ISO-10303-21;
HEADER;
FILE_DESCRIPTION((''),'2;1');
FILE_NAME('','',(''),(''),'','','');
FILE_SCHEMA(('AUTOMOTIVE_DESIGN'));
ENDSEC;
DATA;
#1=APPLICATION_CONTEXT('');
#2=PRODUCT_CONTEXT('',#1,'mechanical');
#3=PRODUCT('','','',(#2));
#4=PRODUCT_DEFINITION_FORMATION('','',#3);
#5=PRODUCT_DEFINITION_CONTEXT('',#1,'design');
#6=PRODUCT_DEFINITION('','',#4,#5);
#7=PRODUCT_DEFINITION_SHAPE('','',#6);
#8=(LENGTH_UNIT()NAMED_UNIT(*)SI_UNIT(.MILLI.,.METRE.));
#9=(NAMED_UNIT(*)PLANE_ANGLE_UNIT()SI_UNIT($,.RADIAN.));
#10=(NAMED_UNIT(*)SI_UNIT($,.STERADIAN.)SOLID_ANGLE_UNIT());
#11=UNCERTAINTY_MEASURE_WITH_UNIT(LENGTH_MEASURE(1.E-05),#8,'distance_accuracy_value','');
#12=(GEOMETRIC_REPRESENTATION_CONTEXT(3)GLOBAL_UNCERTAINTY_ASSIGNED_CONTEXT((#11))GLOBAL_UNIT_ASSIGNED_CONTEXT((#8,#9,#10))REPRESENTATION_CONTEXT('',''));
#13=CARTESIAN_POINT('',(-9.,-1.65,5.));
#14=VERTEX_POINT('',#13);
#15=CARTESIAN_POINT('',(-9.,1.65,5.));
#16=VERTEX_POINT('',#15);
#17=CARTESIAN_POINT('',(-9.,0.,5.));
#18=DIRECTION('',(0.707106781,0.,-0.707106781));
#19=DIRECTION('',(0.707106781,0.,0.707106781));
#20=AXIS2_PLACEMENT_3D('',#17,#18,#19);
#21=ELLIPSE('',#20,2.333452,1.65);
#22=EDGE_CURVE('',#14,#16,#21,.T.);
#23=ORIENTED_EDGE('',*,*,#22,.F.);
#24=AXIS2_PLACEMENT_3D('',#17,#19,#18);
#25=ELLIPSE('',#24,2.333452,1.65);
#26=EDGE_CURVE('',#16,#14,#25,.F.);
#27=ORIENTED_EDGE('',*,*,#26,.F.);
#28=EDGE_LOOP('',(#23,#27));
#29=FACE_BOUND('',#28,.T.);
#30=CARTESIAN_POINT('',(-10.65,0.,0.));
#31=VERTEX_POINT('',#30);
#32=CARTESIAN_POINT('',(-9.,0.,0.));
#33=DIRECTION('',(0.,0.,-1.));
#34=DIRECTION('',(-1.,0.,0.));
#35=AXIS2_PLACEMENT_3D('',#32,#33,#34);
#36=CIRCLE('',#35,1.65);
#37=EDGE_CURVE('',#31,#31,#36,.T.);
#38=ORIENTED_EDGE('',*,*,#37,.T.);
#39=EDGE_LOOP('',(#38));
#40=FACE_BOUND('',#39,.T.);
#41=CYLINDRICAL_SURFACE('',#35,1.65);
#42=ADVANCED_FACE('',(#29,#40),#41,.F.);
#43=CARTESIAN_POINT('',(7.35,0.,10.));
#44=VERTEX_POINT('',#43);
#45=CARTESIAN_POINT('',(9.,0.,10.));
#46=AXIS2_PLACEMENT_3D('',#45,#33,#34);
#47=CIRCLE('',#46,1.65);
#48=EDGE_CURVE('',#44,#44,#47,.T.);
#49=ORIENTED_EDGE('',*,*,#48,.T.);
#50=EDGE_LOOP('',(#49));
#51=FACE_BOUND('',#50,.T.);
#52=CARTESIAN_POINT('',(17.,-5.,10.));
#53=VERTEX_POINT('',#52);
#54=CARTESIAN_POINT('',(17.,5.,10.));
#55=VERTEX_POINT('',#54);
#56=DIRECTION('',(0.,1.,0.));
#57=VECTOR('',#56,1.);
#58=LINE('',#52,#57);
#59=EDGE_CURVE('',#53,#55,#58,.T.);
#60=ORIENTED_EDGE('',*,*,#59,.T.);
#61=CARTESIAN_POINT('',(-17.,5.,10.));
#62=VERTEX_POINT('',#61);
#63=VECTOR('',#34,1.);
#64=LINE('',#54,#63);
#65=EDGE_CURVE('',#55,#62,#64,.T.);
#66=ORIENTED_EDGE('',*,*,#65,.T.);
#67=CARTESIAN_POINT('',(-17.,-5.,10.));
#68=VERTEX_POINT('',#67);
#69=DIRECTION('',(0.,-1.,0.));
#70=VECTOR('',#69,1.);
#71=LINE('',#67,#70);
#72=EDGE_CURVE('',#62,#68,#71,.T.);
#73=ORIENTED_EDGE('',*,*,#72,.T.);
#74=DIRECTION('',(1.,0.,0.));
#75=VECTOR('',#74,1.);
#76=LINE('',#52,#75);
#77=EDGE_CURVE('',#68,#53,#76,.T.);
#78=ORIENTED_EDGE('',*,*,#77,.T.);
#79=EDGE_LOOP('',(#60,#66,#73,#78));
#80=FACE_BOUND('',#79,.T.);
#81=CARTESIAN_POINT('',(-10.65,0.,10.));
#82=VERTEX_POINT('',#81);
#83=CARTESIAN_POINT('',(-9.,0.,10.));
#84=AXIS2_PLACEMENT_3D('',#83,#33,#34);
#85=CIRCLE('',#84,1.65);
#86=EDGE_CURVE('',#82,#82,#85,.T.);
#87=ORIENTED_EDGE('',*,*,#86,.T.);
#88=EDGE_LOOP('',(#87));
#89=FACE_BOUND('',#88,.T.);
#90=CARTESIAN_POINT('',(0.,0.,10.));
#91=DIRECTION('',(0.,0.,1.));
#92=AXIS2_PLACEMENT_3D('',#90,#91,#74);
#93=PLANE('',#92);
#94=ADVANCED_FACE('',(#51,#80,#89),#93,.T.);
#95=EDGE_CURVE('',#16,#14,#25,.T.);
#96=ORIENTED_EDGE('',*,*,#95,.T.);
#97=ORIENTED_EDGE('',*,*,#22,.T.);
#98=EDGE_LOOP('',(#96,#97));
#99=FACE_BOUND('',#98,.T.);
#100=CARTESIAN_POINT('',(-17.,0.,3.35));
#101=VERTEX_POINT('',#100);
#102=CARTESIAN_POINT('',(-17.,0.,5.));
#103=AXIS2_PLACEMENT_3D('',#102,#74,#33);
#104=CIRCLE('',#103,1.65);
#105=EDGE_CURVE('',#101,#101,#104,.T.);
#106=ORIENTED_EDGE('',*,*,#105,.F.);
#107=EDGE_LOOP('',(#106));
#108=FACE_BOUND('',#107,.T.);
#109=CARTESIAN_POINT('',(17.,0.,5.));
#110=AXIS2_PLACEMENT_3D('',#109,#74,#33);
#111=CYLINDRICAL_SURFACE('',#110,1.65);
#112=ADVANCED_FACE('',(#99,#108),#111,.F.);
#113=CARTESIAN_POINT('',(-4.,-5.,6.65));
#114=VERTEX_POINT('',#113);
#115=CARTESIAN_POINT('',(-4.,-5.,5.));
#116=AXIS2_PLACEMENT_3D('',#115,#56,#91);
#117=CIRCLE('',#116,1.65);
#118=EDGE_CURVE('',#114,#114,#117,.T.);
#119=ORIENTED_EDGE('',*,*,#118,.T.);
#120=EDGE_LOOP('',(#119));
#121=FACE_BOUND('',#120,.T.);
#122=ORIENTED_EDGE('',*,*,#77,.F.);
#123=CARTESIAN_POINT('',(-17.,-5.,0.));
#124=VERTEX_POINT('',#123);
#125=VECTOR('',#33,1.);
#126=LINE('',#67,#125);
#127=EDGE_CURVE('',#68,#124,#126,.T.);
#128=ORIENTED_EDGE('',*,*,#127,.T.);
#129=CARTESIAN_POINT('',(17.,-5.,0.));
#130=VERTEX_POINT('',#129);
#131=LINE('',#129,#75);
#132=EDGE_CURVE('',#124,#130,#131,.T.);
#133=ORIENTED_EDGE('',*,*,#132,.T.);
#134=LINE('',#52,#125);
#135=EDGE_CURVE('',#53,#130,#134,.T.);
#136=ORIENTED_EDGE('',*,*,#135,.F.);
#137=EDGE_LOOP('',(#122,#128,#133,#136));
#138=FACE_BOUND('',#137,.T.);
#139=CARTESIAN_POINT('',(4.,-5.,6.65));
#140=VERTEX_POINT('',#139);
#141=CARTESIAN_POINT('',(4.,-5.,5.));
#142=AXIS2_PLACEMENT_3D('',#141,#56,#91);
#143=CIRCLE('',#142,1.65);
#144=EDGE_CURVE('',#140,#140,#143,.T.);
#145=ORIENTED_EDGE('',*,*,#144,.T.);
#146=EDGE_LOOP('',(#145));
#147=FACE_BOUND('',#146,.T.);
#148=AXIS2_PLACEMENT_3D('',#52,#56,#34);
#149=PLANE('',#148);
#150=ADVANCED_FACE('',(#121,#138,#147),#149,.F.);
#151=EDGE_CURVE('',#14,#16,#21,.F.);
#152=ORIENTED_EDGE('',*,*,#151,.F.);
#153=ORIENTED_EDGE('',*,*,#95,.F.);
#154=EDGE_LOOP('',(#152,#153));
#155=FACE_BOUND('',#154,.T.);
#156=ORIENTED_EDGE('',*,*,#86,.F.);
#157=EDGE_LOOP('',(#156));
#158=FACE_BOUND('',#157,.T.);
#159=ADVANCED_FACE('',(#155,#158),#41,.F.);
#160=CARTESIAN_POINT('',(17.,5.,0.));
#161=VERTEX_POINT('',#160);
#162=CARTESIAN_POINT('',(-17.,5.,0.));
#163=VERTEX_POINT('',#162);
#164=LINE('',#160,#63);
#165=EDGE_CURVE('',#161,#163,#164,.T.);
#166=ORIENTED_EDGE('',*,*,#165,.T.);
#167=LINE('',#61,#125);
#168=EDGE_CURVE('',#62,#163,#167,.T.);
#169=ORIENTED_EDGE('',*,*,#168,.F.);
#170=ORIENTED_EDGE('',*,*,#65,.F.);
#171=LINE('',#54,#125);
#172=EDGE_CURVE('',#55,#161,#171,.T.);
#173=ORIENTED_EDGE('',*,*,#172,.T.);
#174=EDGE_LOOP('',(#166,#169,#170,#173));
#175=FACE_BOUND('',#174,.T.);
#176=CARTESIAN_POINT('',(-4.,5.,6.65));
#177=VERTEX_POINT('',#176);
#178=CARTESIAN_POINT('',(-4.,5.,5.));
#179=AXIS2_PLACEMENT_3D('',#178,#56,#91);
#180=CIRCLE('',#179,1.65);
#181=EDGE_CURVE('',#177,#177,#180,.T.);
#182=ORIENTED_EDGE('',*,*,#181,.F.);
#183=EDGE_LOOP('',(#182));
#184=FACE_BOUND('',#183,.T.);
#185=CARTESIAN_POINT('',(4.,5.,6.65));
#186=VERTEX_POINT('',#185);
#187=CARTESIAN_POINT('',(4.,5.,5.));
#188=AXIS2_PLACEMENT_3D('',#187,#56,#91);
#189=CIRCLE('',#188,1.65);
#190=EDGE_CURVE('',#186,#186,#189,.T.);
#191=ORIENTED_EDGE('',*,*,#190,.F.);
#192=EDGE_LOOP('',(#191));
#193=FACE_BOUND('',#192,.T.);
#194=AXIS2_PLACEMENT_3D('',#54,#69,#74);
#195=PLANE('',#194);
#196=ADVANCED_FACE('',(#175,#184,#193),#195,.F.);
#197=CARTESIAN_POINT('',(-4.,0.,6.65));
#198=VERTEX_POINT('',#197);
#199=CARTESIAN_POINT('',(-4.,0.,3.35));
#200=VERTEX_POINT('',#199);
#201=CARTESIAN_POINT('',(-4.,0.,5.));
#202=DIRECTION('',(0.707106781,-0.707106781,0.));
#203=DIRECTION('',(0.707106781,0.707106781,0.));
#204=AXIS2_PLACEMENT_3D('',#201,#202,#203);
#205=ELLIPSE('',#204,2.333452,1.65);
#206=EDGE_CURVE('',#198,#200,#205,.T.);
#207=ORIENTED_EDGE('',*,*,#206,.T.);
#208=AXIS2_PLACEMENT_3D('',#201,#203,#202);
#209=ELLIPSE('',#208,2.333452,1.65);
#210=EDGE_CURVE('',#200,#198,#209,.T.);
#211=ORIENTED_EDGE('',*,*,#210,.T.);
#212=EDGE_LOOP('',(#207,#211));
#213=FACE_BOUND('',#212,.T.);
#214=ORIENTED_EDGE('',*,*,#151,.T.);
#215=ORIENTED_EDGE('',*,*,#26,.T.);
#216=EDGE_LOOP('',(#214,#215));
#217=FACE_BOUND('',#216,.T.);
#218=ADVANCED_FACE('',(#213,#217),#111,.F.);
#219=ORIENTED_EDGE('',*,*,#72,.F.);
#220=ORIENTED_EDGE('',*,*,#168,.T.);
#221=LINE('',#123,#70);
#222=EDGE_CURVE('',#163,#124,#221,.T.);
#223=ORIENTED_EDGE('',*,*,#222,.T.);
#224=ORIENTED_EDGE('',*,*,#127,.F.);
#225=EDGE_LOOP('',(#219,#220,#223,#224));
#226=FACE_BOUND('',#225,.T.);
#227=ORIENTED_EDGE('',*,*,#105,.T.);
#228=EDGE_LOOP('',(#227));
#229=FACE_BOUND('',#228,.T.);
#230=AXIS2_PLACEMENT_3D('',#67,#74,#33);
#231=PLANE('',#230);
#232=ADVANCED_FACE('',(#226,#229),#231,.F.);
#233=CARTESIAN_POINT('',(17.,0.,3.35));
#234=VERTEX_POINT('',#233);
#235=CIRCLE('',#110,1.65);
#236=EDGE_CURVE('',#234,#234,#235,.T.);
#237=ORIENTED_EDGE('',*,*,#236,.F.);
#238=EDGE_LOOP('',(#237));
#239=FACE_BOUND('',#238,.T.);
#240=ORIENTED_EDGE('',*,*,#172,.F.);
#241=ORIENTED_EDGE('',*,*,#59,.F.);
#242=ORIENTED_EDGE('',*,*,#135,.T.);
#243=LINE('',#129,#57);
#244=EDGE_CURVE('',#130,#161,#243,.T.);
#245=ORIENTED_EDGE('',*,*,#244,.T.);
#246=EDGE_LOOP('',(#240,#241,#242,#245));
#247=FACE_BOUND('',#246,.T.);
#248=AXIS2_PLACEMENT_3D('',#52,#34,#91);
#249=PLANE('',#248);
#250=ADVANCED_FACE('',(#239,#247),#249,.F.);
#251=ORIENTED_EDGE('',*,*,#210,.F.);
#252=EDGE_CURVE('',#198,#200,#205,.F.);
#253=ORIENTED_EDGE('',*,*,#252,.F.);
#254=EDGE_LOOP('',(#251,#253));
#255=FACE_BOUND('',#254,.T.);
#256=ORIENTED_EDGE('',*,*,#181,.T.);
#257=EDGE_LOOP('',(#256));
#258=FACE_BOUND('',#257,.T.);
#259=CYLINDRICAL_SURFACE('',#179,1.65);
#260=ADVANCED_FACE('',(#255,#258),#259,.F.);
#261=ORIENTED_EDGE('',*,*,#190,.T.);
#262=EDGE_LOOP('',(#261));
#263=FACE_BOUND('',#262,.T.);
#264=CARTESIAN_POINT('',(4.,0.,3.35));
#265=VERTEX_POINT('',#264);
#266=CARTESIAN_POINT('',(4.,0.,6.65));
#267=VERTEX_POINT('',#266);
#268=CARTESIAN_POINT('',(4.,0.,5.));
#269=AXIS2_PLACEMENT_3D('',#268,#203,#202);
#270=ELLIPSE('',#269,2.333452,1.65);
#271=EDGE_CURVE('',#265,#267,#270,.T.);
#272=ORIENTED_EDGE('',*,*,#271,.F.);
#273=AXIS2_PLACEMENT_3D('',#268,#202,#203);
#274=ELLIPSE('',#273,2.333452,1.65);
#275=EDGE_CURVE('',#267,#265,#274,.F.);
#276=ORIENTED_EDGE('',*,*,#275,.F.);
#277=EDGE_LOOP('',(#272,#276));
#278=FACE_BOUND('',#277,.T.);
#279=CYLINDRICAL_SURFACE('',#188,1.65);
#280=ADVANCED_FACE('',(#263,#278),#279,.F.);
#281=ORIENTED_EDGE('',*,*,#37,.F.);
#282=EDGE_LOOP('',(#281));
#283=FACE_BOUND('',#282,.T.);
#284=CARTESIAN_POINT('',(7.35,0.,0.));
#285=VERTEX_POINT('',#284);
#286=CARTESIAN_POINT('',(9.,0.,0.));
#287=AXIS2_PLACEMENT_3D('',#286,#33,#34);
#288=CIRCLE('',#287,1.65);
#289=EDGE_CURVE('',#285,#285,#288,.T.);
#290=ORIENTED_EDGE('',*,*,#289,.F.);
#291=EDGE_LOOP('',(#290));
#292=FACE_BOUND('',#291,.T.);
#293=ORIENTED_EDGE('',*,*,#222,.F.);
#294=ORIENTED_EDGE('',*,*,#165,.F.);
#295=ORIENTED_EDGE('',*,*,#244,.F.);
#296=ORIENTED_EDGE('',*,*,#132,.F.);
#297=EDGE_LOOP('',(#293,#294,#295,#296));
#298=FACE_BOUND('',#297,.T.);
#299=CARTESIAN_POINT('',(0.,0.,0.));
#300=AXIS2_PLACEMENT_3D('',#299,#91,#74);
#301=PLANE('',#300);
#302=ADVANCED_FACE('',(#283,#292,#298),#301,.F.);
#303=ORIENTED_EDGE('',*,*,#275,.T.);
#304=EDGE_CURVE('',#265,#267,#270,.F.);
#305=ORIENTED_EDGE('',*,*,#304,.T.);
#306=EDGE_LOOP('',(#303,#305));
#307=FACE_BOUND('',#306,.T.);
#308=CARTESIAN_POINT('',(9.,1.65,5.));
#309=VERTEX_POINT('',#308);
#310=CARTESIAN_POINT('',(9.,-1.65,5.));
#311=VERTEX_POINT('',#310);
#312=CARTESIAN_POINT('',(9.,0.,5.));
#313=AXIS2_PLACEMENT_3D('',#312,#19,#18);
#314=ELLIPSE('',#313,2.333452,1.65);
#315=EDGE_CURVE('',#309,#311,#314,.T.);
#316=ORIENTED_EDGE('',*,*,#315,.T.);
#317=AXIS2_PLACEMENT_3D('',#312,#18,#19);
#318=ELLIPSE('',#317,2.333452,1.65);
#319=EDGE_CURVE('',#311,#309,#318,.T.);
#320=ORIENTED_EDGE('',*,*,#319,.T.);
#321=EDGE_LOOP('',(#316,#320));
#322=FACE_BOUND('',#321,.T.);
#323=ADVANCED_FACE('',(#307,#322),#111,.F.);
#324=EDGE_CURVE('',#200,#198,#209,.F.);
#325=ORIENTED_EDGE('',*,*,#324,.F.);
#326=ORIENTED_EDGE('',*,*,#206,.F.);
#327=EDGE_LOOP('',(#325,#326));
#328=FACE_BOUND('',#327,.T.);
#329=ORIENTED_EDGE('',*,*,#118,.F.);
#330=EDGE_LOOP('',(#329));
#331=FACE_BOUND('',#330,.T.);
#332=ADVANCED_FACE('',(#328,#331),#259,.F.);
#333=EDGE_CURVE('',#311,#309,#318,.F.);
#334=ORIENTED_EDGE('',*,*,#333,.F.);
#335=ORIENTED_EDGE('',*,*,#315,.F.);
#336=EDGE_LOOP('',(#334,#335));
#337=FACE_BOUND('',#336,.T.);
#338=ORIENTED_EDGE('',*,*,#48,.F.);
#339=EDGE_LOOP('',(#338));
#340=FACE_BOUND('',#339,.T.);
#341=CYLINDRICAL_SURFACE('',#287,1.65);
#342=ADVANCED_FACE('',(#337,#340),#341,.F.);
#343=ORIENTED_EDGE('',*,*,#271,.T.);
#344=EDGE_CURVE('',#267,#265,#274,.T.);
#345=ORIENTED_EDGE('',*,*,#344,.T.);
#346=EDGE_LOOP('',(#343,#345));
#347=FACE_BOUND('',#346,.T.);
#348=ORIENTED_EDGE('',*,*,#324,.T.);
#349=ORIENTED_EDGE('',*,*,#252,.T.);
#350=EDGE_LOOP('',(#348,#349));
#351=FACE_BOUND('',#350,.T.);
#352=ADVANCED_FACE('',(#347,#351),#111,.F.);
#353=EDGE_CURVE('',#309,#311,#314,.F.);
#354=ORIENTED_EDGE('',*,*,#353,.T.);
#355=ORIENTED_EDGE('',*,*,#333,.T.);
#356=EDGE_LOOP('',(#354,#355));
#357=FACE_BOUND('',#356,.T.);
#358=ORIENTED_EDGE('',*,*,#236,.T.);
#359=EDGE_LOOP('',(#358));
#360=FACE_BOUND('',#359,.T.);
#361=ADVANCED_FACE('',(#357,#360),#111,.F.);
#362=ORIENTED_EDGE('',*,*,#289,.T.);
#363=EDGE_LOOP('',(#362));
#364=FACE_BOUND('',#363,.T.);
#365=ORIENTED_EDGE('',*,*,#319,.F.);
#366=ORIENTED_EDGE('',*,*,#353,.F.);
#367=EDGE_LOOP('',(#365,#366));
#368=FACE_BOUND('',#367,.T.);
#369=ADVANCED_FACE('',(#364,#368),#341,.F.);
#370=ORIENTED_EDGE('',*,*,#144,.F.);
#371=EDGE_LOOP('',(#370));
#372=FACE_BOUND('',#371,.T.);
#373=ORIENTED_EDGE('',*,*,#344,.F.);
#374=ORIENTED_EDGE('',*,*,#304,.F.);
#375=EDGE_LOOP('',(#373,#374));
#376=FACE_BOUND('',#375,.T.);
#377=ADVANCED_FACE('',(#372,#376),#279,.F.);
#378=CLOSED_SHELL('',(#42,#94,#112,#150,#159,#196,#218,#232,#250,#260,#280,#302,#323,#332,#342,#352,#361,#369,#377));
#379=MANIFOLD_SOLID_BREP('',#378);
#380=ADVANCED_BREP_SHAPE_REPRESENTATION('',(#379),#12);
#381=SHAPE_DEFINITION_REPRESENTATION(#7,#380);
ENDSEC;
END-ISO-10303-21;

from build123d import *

# Parameters (mm, degrees)
SKETCH_1_W         = 34
SKETCH_1_H         = 10
EXTRUDE_1_DEPTH    = 10
HOLE_WIZARD_M4_1_D = 3.3
HOLE_WIZARD_M4_2_D = 3.3
HOLE_WIZARD_M4_3_D = 3.3
HOLE_WIZARD_M4_4_D = 3.3
HOLE_WIZARD_M4_5_D = 3.3


with BuildPart() as part:
    # 草图1 → 凸台-拉伸1 (new body)
    with BuildSketch(Plane.XY):
        Rectangle(SKETCH_1_W, SKETCH_1_H)
    extrude(amount=EXTRUDE_1_DEPTH)

    # M4 螺纹孔的螺纹孔钻头1 (through all)
    with Locations(Plane(origin=(17, 0, 5), x_dir=(0, 0, 1), z_dir=(1, 0, 0))):
        with Locations((0, 0)):
            Hole(HOLE_WIZARD_M4_1_D / 2)

    # M4 螺纹孔的螺纹孔钻头2 (through all)
    with Locations(Plane(origin=(4, 5, 5), x_dir=(1, 0, 0), z_dir=(0, 1, 0))):
        with Locations((0, 0)):
            Hole(HOLE_WIZARD_M4_2_D / 2)

    # M4 螺纹孔的螺纹孔钻头3 (through all)
    with Locations(Plane(origin=(-4, 5, 5), x_dir=(1, 0, 0), z_dir=(0, 1, 0))):
        with Locations((0, 0)):
            Hole(HOLE_WIZARD_M4_3_D / 2)

    # M4 螺纹孔的螺纹孔钻头4 (through all)
    with Locations(Plane(origin=(9, 0, 0), x_dir=(-1, 0, 0), z_dir=(0, 0, -1))):
        with Locations((0, 0)):
            Hole(HOLE_WIZARD_M4_4_D / 2)

    # M4 螺纹孔的螺纹孔钻头5 (through all)
    with Locations(Plane(origin=(-9, 0, 0), x_dir=(-1, 0, 0), z_dir=(0, 0, -1))):
        with Locations((0, 0)):
            Hole(HOLE_WIZARD_M4_5_D / 2)


solid = part.part
